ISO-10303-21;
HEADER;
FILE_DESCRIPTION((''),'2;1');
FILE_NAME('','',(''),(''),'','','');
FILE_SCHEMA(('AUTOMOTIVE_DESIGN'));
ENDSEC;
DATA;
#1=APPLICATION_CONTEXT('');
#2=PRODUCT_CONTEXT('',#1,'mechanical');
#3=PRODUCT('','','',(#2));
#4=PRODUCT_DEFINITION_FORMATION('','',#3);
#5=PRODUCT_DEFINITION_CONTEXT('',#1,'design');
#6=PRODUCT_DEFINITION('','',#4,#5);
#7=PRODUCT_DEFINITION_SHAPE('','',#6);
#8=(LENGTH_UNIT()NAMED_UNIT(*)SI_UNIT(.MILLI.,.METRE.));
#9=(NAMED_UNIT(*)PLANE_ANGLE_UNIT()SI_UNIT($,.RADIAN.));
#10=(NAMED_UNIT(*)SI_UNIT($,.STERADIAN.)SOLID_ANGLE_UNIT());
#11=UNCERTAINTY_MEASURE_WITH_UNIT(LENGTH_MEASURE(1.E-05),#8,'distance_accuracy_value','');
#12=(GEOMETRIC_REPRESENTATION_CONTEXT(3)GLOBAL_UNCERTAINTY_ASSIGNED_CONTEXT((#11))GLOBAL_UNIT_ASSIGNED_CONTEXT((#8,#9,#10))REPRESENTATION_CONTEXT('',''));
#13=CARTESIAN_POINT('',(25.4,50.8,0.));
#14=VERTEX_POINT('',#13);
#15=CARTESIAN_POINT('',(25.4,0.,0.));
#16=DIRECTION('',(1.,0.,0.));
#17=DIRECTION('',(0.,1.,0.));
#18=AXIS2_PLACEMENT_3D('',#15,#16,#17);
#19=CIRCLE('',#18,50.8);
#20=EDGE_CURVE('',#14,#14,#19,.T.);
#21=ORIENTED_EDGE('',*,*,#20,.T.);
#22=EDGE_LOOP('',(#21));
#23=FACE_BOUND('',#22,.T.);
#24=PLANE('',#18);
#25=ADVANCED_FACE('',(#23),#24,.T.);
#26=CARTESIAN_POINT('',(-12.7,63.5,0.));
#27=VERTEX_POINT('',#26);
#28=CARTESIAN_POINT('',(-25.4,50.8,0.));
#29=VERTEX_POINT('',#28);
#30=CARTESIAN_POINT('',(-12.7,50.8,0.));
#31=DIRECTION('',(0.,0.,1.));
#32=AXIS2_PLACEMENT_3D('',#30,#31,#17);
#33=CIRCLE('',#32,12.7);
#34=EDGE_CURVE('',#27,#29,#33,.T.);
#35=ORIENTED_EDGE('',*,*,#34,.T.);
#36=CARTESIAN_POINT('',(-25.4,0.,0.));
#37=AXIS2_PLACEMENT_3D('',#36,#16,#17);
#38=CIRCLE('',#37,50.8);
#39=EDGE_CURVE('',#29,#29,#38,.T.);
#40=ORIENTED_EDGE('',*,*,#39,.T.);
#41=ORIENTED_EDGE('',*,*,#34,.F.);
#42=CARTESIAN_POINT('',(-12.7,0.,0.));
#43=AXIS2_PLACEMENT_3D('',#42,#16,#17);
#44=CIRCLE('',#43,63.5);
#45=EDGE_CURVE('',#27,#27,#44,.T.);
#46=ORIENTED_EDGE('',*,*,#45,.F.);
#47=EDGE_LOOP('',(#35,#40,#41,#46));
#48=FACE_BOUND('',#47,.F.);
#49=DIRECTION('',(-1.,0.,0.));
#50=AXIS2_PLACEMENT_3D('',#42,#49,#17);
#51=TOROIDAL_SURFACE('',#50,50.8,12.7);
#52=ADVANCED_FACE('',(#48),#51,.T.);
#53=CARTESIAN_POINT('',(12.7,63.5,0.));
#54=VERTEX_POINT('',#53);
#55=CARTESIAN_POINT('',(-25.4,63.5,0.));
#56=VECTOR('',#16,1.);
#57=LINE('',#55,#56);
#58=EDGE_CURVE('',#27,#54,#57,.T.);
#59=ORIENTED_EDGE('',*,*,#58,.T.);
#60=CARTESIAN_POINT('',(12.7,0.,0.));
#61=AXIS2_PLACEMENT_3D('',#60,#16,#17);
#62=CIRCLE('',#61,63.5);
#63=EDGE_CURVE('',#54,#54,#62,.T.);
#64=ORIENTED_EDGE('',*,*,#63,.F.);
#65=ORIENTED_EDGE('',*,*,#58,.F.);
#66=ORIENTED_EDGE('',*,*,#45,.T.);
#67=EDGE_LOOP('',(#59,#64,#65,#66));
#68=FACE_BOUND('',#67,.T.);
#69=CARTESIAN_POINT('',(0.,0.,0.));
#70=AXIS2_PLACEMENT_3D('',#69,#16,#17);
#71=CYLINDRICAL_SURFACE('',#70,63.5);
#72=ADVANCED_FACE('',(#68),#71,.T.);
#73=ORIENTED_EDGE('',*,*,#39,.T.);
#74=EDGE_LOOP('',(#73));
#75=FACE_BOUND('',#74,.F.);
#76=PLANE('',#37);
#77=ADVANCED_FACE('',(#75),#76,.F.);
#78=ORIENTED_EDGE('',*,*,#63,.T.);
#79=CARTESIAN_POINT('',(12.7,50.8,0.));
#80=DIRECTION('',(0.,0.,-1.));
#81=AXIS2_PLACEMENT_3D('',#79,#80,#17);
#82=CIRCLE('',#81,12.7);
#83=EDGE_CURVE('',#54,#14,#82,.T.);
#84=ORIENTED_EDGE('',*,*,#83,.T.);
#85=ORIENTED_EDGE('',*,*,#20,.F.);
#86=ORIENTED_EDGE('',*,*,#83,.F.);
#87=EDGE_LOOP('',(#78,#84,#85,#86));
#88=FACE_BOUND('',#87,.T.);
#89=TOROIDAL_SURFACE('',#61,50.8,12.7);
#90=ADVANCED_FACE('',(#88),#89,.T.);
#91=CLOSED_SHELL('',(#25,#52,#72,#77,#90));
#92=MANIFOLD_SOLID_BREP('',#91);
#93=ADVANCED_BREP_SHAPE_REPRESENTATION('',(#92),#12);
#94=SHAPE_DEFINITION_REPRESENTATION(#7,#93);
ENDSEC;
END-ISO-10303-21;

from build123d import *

# Parameters (mm, degrees)
F0_R     = 63.5
F1_DEPTH = 25.4
F2_R     = 12.7


with BuildPart() as f1:
    # F0 (on Right) → F1 (new body, symmetric)
    with BuildSketch(Plane.YZ):
        Circle(F0_R)
    extrude(amount=F1_DEPTH, both=True)

    # F2
    f2_edges = [f1.edges().sort_by_distance(p)[0] for p in [
        (25.4, -63.5, 0),
        (-25.4, -63.5, 0),
    ]]
    fillet(f2_edges, radius=F2_R)


solid = f1.part
